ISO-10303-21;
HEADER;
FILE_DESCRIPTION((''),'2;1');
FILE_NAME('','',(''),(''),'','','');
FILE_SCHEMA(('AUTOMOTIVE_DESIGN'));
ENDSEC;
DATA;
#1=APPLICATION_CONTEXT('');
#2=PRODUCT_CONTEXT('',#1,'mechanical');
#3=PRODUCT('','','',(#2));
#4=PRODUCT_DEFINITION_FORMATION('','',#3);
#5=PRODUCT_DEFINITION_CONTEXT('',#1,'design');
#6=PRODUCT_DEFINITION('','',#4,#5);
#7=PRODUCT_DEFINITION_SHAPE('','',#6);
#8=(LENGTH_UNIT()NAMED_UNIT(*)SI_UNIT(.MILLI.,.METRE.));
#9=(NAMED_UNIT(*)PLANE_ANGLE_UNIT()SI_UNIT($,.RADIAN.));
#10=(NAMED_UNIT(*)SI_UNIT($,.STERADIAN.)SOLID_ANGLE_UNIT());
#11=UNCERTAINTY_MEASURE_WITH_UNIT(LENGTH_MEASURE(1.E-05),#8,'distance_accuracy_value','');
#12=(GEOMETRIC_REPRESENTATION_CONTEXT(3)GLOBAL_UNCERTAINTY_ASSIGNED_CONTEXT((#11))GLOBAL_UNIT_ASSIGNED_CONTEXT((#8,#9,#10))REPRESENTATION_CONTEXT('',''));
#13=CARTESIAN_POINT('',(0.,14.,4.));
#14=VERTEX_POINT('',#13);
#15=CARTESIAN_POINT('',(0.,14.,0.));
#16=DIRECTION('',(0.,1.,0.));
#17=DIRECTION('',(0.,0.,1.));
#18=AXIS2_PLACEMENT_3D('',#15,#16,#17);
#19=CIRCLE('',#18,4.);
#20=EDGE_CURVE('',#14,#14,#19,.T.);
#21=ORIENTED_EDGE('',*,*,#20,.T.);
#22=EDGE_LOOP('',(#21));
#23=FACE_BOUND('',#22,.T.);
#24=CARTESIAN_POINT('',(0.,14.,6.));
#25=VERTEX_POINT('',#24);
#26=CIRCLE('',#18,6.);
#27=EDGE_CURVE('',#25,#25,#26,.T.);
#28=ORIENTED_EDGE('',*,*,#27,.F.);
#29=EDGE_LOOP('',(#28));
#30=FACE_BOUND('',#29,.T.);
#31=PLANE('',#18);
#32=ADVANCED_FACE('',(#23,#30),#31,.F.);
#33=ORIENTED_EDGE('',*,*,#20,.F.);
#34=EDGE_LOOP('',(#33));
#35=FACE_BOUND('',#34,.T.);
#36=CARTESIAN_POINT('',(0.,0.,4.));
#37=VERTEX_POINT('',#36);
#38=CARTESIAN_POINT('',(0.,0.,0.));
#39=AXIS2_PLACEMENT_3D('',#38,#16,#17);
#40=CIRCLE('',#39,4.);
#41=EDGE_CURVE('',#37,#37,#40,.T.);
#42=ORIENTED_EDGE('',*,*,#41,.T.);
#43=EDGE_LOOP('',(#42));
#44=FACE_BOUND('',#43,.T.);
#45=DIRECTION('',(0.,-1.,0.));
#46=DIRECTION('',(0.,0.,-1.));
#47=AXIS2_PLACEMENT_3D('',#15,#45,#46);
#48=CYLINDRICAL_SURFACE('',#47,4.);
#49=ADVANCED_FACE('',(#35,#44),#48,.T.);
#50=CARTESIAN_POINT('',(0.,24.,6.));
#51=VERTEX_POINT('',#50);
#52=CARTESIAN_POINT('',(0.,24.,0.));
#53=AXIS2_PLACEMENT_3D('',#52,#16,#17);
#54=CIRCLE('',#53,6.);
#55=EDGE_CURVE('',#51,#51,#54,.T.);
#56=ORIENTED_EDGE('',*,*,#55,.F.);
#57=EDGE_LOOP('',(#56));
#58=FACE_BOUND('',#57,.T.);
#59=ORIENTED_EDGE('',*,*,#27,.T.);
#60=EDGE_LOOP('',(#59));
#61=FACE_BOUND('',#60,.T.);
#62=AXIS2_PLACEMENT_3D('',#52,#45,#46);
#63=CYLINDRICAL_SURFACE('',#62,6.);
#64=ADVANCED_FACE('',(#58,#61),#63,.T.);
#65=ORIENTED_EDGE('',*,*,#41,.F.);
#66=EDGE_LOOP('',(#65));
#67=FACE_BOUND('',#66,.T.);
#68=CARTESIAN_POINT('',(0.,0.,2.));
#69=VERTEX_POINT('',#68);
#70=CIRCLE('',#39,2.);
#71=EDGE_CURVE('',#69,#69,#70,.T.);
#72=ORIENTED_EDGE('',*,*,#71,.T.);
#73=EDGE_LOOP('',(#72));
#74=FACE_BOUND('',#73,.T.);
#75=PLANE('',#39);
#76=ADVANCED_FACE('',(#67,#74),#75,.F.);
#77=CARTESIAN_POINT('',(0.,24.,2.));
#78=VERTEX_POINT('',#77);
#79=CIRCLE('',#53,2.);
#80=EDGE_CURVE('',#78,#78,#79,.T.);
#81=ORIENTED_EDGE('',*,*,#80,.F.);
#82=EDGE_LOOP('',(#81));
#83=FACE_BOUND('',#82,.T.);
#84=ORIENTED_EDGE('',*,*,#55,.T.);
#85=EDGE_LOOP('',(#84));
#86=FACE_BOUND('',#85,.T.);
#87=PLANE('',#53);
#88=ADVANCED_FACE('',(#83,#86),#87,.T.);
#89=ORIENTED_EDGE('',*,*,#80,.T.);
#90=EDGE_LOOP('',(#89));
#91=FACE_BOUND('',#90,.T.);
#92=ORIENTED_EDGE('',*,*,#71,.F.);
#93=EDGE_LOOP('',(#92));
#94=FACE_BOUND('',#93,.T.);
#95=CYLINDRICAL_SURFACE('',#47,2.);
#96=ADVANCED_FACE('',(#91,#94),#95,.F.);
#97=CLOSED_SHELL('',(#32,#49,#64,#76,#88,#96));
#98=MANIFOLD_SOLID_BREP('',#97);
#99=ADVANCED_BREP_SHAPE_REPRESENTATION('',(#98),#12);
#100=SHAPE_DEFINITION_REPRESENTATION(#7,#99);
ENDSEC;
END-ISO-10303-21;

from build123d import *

# Parameters (mm, degrees)
SKETCH2_R           = 4
SKETCH2_R_2         = 2
BOSS_EXTRUDE1_DEPTH = 14
SKETCH3_R           = 6
SKETCH3_R_2         = 2
BOSS_EXTRUDE2_DEPTH = 10


with BuildPart() as part:
    # Sketch2 → Boss-Extrude1 (new body)
    with BuildSketch(Plane(origin=(0, 0, 0), x_dir=(1, 0, 0), z_dir=(0, 1, 0))):
        Circle(SKETCH2_R)
        Circle(SKETCH2_R_2, mode=Mode.SUBTRACT)
    extrude(amount=BOSS_EXTRUDE1_DEPTH)

    # Sketch3 → Boss-Extrude2 (add)
    with BuildSketch(Plane(origin=(0, 14, 0), x_dir=(1, 0, 0), z_dir=(0, 1, 0))):
        Circle(SKETCH3_R)
        Circle(SKETCH3_R_2, mode=Mode.SUBTRACT)
    extrude(amount=BOSS_EXTRUDE2_DEPTH)


solid = part.part
